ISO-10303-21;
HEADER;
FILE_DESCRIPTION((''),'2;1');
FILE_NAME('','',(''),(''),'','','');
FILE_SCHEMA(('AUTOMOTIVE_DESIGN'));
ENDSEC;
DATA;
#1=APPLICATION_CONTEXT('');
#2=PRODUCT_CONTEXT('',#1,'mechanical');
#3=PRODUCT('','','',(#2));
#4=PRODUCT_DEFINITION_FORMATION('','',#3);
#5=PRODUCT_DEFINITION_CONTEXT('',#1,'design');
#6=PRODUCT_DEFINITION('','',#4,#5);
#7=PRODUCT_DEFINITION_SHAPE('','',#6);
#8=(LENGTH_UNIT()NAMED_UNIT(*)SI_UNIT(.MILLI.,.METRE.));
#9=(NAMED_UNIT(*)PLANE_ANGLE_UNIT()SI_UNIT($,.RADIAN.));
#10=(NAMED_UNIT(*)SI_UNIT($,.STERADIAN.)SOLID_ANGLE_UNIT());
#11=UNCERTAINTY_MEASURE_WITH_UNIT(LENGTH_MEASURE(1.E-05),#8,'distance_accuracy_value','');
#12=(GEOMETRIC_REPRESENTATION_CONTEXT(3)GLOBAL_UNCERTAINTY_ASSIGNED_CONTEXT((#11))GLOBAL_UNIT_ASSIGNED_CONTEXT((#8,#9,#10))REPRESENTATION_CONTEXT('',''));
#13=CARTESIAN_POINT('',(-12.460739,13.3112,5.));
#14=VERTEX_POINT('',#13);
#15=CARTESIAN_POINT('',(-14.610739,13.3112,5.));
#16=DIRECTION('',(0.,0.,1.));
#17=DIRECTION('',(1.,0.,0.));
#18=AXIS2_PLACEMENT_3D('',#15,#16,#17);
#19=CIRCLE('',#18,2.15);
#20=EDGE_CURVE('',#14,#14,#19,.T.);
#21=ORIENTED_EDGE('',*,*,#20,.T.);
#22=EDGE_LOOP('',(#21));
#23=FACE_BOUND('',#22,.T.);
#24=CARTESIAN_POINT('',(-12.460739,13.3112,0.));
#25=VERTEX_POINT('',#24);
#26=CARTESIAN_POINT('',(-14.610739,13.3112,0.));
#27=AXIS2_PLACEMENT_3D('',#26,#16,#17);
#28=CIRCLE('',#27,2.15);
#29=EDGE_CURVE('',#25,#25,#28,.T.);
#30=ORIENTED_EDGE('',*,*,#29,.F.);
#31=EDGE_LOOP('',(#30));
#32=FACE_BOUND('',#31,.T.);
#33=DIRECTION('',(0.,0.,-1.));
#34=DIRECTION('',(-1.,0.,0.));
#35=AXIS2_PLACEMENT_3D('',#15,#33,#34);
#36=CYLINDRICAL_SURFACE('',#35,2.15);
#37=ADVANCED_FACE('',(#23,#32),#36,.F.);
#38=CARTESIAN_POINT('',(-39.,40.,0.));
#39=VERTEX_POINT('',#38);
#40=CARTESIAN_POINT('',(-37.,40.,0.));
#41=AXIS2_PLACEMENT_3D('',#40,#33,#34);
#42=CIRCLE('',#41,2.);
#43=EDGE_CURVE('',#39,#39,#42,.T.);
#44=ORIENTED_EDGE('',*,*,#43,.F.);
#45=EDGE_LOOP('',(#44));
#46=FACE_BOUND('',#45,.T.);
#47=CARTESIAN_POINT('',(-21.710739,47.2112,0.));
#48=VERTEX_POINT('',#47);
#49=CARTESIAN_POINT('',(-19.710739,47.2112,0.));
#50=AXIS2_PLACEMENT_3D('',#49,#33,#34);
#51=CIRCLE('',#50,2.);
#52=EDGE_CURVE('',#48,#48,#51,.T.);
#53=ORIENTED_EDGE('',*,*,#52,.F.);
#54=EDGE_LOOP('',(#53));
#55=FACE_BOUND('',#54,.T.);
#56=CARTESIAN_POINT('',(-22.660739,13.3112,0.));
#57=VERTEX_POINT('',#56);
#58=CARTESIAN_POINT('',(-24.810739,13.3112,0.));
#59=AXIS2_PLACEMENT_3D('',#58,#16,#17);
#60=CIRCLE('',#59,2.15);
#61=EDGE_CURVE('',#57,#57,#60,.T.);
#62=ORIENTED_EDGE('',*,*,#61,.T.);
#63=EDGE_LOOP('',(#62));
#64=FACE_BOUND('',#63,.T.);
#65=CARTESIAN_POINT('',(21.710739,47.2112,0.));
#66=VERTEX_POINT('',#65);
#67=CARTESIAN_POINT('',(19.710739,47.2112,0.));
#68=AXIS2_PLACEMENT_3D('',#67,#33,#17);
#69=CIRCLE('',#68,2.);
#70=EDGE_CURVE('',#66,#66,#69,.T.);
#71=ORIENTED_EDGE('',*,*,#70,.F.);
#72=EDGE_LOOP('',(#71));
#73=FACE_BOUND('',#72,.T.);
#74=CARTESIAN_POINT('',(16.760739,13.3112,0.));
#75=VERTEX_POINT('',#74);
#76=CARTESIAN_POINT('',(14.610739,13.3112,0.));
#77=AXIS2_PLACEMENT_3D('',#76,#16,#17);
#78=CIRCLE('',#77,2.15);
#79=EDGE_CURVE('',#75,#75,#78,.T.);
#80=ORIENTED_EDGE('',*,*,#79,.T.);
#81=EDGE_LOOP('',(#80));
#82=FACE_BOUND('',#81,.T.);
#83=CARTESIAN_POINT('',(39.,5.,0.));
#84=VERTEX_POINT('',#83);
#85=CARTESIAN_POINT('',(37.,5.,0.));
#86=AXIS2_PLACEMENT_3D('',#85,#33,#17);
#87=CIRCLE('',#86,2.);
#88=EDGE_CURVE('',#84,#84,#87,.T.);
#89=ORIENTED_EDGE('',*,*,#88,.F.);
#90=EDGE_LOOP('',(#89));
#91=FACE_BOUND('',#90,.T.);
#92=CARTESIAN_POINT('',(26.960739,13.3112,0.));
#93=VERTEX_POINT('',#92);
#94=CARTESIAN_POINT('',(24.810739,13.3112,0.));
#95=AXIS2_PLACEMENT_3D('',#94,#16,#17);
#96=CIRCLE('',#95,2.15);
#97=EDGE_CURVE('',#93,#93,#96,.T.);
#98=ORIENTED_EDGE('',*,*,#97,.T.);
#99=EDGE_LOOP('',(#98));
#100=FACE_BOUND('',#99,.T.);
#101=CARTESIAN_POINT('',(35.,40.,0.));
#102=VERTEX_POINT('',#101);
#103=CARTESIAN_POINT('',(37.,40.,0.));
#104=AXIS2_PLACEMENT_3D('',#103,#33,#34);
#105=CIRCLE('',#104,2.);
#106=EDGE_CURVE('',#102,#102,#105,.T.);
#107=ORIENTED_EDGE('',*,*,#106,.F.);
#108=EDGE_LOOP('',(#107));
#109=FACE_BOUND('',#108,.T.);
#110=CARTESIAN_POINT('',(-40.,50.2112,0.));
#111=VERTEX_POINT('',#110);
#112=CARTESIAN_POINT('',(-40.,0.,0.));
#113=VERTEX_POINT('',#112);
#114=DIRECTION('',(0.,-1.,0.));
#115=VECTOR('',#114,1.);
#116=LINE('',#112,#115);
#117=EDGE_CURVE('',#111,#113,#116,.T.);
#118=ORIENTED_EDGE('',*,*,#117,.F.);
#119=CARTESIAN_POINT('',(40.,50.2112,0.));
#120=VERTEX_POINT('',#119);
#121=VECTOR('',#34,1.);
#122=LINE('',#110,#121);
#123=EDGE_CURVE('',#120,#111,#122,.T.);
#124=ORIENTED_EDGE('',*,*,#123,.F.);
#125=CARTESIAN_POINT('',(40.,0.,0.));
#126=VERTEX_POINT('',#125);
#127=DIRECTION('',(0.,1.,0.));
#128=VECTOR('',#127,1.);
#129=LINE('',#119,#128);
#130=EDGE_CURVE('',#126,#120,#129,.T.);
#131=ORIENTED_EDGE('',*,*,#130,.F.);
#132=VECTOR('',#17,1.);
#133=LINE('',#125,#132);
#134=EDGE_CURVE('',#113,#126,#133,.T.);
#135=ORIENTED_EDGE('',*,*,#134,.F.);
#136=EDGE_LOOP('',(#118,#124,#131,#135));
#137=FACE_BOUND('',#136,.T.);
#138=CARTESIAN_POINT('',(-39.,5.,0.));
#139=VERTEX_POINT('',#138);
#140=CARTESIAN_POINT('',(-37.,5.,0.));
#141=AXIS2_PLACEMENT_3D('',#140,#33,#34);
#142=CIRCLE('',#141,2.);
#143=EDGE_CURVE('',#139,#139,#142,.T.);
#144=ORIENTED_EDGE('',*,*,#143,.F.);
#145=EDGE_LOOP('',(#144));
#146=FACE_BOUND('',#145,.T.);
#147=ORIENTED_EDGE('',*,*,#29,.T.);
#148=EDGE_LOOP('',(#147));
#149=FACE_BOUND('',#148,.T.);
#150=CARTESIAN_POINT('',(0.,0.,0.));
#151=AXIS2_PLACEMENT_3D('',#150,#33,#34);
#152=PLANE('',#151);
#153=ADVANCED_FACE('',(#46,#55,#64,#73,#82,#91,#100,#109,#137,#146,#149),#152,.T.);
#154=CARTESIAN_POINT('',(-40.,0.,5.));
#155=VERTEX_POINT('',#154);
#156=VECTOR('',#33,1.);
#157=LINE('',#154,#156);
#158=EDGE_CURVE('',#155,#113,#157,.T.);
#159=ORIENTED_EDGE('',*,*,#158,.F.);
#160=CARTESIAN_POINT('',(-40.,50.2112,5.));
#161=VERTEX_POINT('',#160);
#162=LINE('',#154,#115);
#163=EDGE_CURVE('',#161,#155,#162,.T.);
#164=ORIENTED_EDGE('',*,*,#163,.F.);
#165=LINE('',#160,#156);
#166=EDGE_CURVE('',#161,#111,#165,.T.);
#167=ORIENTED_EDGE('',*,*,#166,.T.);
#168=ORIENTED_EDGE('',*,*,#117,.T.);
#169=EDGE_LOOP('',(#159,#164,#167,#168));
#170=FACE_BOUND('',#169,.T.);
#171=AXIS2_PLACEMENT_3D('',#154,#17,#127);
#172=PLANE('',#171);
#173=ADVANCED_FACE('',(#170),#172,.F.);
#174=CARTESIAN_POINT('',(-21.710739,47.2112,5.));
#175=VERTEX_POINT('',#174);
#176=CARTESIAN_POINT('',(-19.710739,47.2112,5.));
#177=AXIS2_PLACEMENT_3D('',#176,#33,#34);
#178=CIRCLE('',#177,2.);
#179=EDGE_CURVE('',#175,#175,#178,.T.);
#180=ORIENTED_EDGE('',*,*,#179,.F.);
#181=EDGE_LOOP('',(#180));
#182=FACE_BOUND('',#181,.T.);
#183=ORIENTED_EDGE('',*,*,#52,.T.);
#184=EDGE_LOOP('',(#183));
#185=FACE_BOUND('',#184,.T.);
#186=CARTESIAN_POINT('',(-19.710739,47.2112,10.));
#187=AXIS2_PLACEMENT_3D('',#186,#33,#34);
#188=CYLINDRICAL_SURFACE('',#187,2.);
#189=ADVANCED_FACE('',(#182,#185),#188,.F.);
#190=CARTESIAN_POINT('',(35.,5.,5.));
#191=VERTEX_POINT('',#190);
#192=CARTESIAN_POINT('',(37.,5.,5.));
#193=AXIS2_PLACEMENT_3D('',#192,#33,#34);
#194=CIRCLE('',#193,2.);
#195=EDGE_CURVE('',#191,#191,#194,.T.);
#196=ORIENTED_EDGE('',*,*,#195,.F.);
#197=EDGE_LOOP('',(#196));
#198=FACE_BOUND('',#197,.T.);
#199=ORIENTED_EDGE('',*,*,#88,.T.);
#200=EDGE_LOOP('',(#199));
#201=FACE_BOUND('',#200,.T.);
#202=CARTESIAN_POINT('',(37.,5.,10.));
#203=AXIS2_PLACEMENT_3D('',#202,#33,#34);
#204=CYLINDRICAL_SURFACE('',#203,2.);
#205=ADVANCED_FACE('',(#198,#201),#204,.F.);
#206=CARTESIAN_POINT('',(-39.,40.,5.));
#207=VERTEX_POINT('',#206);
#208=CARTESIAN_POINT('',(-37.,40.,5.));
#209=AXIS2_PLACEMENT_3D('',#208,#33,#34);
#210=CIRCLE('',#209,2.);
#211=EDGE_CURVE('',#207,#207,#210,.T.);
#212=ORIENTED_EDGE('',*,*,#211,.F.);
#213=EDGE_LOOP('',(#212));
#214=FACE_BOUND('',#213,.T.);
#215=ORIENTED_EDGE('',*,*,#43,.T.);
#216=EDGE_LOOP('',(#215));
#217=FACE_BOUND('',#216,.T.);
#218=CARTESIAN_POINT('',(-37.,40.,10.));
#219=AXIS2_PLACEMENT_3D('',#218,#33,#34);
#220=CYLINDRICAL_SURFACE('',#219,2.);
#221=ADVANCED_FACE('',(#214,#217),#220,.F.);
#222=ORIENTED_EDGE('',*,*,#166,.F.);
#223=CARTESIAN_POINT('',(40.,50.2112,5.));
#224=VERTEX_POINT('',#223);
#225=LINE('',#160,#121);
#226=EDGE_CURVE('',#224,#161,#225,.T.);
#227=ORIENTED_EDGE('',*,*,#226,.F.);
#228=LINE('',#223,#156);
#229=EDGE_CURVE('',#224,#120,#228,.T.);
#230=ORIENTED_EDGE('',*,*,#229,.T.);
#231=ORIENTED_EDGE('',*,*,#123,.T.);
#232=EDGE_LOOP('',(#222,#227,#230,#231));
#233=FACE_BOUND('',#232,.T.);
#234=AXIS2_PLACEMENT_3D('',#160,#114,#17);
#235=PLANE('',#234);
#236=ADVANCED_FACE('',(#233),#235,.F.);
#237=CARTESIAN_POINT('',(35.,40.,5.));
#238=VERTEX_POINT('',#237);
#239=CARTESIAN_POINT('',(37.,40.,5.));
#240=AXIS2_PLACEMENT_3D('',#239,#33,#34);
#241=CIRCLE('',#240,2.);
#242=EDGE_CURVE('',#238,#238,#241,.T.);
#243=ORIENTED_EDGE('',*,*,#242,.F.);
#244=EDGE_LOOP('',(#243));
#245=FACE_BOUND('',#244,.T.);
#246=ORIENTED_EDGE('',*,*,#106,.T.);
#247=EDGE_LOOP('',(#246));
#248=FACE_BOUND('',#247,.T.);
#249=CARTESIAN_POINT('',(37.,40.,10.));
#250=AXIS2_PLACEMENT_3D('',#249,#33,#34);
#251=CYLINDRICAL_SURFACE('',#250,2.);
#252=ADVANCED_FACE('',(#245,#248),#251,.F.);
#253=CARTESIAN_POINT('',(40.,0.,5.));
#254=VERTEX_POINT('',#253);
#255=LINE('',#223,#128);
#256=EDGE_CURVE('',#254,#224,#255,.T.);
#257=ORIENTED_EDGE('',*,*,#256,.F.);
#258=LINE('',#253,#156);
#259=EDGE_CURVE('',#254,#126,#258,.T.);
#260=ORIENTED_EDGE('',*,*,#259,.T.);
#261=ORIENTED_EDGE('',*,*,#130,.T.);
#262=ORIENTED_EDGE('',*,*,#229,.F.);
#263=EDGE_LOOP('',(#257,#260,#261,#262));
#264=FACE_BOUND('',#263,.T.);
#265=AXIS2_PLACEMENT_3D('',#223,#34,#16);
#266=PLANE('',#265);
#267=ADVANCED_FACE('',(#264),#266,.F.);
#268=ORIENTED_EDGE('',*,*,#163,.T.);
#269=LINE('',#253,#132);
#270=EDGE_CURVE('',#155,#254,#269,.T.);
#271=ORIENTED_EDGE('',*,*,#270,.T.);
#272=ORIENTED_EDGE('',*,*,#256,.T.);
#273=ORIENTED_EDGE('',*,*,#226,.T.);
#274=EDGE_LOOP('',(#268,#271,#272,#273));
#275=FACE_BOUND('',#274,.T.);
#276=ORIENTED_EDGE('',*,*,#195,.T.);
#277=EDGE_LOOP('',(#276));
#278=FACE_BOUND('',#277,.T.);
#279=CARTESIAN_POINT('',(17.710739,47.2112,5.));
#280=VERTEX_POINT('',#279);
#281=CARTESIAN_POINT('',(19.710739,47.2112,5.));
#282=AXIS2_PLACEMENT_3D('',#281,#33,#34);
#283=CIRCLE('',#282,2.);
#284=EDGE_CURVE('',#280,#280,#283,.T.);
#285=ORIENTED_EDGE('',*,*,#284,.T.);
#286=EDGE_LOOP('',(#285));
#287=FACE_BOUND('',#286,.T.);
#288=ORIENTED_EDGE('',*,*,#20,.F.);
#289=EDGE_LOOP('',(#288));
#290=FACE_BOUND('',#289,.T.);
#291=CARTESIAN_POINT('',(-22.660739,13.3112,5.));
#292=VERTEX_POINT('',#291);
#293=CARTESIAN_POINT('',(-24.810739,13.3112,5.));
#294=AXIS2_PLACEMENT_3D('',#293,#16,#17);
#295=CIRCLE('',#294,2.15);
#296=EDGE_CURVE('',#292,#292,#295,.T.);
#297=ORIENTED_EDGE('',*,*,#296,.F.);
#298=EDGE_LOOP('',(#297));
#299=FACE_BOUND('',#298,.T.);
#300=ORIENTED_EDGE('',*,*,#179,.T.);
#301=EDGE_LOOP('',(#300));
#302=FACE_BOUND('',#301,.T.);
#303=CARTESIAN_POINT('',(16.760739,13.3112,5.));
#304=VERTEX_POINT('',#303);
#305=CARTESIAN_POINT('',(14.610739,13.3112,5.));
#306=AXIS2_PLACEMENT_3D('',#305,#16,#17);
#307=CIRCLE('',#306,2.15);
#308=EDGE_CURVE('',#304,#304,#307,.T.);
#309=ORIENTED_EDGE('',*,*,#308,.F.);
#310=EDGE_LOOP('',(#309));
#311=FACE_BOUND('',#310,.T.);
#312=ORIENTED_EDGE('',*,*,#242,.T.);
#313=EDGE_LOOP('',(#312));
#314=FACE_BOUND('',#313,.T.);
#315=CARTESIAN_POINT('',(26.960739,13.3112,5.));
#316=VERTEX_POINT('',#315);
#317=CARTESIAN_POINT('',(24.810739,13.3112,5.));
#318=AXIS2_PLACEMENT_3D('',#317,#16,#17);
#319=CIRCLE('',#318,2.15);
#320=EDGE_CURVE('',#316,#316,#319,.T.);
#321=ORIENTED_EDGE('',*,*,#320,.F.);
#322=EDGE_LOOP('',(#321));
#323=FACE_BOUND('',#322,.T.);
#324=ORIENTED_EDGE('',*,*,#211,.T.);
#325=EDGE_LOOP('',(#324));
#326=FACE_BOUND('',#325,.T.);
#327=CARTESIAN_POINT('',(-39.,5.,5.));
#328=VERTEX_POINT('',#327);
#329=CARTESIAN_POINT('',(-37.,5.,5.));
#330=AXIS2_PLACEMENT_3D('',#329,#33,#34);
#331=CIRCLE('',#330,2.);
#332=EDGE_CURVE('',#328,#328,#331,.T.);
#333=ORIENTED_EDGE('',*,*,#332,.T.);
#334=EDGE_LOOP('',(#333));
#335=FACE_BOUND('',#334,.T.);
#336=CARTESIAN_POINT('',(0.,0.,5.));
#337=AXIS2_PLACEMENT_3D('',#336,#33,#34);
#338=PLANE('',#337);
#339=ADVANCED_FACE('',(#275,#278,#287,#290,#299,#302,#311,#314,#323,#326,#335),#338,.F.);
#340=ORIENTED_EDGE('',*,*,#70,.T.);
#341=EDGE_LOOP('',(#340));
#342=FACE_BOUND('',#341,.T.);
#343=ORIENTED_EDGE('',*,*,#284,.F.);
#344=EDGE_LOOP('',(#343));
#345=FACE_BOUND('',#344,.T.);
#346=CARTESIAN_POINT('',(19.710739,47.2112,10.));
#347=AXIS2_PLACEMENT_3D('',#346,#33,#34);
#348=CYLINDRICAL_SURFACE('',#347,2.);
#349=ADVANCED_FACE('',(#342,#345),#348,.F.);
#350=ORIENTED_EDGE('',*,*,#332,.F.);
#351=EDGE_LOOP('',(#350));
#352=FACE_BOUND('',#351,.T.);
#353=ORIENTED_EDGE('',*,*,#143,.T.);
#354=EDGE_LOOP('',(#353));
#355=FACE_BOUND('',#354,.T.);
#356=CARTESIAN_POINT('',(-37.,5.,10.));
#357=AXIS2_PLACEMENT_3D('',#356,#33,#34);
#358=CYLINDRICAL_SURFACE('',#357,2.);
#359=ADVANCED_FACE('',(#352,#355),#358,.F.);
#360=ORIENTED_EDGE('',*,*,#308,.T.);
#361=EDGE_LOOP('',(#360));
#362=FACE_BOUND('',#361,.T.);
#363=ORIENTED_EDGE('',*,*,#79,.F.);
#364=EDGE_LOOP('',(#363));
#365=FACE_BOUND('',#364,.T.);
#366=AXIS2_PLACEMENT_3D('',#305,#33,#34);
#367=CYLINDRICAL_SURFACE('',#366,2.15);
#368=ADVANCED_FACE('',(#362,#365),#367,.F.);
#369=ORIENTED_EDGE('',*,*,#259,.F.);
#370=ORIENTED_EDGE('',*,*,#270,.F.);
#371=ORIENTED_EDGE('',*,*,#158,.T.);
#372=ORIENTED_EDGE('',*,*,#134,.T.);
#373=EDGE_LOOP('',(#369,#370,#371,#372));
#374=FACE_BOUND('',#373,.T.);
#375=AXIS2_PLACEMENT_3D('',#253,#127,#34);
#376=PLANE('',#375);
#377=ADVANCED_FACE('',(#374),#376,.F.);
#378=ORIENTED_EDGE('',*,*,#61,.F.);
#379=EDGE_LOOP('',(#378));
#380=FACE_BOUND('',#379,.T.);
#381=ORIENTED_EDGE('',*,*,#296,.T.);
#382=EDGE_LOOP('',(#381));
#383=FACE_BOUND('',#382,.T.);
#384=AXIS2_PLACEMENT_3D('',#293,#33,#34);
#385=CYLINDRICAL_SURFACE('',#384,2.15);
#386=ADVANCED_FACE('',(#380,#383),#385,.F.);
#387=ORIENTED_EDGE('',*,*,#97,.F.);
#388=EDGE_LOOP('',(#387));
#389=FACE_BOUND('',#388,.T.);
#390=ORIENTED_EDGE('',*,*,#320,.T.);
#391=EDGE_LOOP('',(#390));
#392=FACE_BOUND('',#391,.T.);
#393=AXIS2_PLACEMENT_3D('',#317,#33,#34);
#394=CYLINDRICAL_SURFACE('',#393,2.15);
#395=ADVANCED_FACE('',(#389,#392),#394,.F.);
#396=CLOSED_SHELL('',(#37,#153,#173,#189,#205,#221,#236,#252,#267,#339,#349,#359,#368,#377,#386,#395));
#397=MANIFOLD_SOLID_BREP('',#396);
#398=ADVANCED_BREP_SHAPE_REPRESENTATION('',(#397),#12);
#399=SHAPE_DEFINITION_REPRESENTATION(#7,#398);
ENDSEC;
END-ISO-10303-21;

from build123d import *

# Parameters (mm, degrees)
SKETCH1_W           = 80
SKETCH1_H           = 50.211199845
SKETCH1_R           = 2.15
BOSS_EXTRUDE1_DEPTH = 5
SKETCH2_R           = 2
CUT_EXTRUDE1_DEPTH  = 10


with BuildPart() as part:
    # Sketch1 → Boss-Extrude1 (new body)
    with BuildSketch(Plane.XY):
        with Locations((0, 25.105599923)):
            Rectangle(SKETCH1_W, SKETCH1_H)
        with Locations((14.610738527, 13.311199845)):
            Circle(SKETCH1_R, mode=Mode.SUBTRACT)
        with Locations((24.810738527, 13.311199845)):
            Circle(SKETCH1_R, mode=Mode.SUBTRACT)
        with Locations((-14.610738527, 13.311199845)):
            Circle(SKETCH1_R, mode=Mode.SUBTRACT)
        with Locations((-24.810738527, 13.311199845)):
            Circle(SKETCH1_R, mode=Mode.SUBTRACT)
    extrude(amount=BOSS_EXTRUDE1_DEPTH)

    # Sketch2 → Cut-Extrude1 (cut)
    with BuildSketch(Plane(origin=(0, 0, 0), x_dir=(-1, 0, 0), z_dir=(0, 0, -1))):
        with Locations((19.710738527, 47.211199845)):
            Circle(SKETCH2_R)
        with Locations((-19.710738527, 47.211199845)):
            Circle(SKETCH2_R)
        with Locations((37, 40)):
            Circle(SKETCH2_R)
        with Locations((-37, 40)):
            Circle(SKETCH2_R)
        with Locations((37, 5)):
            Circle(SKETCH2_R)
        with Locations((-37, 5)):
            Circle(SKETCH2_R)
    extrude(amount=-CUT_EXTRUDE1_DEPTH, mode=Mode.SUBTRACT)


solid = part.part
